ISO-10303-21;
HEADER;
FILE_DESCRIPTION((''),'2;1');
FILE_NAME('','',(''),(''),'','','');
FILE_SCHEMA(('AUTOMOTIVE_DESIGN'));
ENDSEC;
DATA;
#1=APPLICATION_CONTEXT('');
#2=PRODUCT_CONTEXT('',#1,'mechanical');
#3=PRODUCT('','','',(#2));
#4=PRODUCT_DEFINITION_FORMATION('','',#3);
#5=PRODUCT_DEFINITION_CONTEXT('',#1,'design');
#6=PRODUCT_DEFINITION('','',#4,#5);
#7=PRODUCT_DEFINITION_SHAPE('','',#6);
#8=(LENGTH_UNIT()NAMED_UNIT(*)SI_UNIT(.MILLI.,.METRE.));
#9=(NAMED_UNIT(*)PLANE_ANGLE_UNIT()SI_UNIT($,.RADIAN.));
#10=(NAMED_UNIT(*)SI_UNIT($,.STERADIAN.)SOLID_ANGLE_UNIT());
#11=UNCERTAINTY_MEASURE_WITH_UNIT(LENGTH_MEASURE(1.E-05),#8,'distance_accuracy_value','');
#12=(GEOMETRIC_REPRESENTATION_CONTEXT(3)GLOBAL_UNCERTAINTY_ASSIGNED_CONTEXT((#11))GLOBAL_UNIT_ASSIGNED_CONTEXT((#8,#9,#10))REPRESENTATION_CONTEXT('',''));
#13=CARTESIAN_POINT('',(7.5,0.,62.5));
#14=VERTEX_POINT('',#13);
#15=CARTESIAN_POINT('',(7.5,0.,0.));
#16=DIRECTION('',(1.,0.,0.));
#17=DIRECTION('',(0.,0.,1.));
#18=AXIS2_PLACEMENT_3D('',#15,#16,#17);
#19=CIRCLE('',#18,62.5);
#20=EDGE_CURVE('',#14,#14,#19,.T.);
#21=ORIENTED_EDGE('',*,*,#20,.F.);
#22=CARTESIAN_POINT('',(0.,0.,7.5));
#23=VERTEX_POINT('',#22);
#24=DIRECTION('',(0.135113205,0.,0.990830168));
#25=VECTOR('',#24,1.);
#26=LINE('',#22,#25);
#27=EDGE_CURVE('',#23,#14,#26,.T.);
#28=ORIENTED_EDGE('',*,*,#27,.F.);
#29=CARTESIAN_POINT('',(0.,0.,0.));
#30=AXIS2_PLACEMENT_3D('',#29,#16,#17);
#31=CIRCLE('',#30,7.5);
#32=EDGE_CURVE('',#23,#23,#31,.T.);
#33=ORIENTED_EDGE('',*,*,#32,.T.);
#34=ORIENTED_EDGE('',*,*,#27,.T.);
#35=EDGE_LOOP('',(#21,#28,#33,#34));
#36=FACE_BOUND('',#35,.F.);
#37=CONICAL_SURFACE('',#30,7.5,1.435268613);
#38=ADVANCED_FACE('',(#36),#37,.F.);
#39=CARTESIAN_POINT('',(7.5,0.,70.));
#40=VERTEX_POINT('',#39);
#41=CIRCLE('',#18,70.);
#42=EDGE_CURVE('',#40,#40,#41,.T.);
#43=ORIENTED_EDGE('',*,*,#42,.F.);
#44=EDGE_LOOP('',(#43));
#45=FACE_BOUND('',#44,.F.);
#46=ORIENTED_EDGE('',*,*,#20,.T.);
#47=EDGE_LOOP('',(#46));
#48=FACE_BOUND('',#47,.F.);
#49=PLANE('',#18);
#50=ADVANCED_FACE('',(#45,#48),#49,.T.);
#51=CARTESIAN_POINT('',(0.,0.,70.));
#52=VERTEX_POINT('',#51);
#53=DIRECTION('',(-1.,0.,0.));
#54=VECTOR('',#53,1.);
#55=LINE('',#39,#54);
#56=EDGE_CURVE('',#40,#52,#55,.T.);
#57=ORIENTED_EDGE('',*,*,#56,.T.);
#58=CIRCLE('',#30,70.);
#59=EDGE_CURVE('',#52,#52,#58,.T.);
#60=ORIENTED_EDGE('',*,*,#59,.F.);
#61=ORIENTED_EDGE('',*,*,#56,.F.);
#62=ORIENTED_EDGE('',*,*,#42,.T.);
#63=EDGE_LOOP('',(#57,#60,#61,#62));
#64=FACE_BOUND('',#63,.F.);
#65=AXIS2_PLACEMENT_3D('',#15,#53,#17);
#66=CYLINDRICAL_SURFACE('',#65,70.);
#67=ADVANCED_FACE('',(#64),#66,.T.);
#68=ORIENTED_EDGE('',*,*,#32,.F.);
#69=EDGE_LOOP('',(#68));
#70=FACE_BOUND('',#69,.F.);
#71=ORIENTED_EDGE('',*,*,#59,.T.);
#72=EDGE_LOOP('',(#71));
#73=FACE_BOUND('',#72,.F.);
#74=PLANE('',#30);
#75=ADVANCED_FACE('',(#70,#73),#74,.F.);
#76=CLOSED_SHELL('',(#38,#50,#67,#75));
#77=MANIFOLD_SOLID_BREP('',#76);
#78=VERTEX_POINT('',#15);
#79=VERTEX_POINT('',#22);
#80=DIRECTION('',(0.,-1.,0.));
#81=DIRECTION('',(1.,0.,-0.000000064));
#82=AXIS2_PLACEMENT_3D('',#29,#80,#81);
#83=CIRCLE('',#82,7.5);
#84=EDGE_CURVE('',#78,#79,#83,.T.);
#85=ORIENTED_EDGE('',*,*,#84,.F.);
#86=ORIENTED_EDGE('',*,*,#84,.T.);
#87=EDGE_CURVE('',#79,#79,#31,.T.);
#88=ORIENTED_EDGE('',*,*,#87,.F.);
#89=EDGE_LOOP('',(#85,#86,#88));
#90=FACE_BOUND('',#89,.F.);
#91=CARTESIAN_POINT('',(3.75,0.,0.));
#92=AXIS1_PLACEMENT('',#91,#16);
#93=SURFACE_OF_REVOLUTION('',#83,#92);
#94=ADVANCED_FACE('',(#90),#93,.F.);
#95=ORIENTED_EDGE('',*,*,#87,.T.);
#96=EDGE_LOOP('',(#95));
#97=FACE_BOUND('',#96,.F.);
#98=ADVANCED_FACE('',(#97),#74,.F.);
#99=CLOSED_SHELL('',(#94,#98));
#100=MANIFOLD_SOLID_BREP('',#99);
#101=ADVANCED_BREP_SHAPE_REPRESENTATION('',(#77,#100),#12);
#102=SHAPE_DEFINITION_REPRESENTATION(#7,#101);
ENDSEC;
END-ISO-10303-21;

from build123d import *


with BuildPart() as f1:
    # F0 (on Front) → F1 (revolve)
    with BuildSketch(Plane.XZ):
        Polygon((0, 70), (0, 7.5), (7.5, 62.5), (7.5, 70), align=None)
        with BuildLine():
            Line((0, 7.5), (0, 0))
            Line((0, 0), (7.5, 0))
            ThreePointArc((7.5, 0), (5.303301, 5.303301), (0, 7.5))
        make_face()
    revolve(axis=Axis((3.75, 0, 0), (1, 0, 0)))


solid = f1.part
